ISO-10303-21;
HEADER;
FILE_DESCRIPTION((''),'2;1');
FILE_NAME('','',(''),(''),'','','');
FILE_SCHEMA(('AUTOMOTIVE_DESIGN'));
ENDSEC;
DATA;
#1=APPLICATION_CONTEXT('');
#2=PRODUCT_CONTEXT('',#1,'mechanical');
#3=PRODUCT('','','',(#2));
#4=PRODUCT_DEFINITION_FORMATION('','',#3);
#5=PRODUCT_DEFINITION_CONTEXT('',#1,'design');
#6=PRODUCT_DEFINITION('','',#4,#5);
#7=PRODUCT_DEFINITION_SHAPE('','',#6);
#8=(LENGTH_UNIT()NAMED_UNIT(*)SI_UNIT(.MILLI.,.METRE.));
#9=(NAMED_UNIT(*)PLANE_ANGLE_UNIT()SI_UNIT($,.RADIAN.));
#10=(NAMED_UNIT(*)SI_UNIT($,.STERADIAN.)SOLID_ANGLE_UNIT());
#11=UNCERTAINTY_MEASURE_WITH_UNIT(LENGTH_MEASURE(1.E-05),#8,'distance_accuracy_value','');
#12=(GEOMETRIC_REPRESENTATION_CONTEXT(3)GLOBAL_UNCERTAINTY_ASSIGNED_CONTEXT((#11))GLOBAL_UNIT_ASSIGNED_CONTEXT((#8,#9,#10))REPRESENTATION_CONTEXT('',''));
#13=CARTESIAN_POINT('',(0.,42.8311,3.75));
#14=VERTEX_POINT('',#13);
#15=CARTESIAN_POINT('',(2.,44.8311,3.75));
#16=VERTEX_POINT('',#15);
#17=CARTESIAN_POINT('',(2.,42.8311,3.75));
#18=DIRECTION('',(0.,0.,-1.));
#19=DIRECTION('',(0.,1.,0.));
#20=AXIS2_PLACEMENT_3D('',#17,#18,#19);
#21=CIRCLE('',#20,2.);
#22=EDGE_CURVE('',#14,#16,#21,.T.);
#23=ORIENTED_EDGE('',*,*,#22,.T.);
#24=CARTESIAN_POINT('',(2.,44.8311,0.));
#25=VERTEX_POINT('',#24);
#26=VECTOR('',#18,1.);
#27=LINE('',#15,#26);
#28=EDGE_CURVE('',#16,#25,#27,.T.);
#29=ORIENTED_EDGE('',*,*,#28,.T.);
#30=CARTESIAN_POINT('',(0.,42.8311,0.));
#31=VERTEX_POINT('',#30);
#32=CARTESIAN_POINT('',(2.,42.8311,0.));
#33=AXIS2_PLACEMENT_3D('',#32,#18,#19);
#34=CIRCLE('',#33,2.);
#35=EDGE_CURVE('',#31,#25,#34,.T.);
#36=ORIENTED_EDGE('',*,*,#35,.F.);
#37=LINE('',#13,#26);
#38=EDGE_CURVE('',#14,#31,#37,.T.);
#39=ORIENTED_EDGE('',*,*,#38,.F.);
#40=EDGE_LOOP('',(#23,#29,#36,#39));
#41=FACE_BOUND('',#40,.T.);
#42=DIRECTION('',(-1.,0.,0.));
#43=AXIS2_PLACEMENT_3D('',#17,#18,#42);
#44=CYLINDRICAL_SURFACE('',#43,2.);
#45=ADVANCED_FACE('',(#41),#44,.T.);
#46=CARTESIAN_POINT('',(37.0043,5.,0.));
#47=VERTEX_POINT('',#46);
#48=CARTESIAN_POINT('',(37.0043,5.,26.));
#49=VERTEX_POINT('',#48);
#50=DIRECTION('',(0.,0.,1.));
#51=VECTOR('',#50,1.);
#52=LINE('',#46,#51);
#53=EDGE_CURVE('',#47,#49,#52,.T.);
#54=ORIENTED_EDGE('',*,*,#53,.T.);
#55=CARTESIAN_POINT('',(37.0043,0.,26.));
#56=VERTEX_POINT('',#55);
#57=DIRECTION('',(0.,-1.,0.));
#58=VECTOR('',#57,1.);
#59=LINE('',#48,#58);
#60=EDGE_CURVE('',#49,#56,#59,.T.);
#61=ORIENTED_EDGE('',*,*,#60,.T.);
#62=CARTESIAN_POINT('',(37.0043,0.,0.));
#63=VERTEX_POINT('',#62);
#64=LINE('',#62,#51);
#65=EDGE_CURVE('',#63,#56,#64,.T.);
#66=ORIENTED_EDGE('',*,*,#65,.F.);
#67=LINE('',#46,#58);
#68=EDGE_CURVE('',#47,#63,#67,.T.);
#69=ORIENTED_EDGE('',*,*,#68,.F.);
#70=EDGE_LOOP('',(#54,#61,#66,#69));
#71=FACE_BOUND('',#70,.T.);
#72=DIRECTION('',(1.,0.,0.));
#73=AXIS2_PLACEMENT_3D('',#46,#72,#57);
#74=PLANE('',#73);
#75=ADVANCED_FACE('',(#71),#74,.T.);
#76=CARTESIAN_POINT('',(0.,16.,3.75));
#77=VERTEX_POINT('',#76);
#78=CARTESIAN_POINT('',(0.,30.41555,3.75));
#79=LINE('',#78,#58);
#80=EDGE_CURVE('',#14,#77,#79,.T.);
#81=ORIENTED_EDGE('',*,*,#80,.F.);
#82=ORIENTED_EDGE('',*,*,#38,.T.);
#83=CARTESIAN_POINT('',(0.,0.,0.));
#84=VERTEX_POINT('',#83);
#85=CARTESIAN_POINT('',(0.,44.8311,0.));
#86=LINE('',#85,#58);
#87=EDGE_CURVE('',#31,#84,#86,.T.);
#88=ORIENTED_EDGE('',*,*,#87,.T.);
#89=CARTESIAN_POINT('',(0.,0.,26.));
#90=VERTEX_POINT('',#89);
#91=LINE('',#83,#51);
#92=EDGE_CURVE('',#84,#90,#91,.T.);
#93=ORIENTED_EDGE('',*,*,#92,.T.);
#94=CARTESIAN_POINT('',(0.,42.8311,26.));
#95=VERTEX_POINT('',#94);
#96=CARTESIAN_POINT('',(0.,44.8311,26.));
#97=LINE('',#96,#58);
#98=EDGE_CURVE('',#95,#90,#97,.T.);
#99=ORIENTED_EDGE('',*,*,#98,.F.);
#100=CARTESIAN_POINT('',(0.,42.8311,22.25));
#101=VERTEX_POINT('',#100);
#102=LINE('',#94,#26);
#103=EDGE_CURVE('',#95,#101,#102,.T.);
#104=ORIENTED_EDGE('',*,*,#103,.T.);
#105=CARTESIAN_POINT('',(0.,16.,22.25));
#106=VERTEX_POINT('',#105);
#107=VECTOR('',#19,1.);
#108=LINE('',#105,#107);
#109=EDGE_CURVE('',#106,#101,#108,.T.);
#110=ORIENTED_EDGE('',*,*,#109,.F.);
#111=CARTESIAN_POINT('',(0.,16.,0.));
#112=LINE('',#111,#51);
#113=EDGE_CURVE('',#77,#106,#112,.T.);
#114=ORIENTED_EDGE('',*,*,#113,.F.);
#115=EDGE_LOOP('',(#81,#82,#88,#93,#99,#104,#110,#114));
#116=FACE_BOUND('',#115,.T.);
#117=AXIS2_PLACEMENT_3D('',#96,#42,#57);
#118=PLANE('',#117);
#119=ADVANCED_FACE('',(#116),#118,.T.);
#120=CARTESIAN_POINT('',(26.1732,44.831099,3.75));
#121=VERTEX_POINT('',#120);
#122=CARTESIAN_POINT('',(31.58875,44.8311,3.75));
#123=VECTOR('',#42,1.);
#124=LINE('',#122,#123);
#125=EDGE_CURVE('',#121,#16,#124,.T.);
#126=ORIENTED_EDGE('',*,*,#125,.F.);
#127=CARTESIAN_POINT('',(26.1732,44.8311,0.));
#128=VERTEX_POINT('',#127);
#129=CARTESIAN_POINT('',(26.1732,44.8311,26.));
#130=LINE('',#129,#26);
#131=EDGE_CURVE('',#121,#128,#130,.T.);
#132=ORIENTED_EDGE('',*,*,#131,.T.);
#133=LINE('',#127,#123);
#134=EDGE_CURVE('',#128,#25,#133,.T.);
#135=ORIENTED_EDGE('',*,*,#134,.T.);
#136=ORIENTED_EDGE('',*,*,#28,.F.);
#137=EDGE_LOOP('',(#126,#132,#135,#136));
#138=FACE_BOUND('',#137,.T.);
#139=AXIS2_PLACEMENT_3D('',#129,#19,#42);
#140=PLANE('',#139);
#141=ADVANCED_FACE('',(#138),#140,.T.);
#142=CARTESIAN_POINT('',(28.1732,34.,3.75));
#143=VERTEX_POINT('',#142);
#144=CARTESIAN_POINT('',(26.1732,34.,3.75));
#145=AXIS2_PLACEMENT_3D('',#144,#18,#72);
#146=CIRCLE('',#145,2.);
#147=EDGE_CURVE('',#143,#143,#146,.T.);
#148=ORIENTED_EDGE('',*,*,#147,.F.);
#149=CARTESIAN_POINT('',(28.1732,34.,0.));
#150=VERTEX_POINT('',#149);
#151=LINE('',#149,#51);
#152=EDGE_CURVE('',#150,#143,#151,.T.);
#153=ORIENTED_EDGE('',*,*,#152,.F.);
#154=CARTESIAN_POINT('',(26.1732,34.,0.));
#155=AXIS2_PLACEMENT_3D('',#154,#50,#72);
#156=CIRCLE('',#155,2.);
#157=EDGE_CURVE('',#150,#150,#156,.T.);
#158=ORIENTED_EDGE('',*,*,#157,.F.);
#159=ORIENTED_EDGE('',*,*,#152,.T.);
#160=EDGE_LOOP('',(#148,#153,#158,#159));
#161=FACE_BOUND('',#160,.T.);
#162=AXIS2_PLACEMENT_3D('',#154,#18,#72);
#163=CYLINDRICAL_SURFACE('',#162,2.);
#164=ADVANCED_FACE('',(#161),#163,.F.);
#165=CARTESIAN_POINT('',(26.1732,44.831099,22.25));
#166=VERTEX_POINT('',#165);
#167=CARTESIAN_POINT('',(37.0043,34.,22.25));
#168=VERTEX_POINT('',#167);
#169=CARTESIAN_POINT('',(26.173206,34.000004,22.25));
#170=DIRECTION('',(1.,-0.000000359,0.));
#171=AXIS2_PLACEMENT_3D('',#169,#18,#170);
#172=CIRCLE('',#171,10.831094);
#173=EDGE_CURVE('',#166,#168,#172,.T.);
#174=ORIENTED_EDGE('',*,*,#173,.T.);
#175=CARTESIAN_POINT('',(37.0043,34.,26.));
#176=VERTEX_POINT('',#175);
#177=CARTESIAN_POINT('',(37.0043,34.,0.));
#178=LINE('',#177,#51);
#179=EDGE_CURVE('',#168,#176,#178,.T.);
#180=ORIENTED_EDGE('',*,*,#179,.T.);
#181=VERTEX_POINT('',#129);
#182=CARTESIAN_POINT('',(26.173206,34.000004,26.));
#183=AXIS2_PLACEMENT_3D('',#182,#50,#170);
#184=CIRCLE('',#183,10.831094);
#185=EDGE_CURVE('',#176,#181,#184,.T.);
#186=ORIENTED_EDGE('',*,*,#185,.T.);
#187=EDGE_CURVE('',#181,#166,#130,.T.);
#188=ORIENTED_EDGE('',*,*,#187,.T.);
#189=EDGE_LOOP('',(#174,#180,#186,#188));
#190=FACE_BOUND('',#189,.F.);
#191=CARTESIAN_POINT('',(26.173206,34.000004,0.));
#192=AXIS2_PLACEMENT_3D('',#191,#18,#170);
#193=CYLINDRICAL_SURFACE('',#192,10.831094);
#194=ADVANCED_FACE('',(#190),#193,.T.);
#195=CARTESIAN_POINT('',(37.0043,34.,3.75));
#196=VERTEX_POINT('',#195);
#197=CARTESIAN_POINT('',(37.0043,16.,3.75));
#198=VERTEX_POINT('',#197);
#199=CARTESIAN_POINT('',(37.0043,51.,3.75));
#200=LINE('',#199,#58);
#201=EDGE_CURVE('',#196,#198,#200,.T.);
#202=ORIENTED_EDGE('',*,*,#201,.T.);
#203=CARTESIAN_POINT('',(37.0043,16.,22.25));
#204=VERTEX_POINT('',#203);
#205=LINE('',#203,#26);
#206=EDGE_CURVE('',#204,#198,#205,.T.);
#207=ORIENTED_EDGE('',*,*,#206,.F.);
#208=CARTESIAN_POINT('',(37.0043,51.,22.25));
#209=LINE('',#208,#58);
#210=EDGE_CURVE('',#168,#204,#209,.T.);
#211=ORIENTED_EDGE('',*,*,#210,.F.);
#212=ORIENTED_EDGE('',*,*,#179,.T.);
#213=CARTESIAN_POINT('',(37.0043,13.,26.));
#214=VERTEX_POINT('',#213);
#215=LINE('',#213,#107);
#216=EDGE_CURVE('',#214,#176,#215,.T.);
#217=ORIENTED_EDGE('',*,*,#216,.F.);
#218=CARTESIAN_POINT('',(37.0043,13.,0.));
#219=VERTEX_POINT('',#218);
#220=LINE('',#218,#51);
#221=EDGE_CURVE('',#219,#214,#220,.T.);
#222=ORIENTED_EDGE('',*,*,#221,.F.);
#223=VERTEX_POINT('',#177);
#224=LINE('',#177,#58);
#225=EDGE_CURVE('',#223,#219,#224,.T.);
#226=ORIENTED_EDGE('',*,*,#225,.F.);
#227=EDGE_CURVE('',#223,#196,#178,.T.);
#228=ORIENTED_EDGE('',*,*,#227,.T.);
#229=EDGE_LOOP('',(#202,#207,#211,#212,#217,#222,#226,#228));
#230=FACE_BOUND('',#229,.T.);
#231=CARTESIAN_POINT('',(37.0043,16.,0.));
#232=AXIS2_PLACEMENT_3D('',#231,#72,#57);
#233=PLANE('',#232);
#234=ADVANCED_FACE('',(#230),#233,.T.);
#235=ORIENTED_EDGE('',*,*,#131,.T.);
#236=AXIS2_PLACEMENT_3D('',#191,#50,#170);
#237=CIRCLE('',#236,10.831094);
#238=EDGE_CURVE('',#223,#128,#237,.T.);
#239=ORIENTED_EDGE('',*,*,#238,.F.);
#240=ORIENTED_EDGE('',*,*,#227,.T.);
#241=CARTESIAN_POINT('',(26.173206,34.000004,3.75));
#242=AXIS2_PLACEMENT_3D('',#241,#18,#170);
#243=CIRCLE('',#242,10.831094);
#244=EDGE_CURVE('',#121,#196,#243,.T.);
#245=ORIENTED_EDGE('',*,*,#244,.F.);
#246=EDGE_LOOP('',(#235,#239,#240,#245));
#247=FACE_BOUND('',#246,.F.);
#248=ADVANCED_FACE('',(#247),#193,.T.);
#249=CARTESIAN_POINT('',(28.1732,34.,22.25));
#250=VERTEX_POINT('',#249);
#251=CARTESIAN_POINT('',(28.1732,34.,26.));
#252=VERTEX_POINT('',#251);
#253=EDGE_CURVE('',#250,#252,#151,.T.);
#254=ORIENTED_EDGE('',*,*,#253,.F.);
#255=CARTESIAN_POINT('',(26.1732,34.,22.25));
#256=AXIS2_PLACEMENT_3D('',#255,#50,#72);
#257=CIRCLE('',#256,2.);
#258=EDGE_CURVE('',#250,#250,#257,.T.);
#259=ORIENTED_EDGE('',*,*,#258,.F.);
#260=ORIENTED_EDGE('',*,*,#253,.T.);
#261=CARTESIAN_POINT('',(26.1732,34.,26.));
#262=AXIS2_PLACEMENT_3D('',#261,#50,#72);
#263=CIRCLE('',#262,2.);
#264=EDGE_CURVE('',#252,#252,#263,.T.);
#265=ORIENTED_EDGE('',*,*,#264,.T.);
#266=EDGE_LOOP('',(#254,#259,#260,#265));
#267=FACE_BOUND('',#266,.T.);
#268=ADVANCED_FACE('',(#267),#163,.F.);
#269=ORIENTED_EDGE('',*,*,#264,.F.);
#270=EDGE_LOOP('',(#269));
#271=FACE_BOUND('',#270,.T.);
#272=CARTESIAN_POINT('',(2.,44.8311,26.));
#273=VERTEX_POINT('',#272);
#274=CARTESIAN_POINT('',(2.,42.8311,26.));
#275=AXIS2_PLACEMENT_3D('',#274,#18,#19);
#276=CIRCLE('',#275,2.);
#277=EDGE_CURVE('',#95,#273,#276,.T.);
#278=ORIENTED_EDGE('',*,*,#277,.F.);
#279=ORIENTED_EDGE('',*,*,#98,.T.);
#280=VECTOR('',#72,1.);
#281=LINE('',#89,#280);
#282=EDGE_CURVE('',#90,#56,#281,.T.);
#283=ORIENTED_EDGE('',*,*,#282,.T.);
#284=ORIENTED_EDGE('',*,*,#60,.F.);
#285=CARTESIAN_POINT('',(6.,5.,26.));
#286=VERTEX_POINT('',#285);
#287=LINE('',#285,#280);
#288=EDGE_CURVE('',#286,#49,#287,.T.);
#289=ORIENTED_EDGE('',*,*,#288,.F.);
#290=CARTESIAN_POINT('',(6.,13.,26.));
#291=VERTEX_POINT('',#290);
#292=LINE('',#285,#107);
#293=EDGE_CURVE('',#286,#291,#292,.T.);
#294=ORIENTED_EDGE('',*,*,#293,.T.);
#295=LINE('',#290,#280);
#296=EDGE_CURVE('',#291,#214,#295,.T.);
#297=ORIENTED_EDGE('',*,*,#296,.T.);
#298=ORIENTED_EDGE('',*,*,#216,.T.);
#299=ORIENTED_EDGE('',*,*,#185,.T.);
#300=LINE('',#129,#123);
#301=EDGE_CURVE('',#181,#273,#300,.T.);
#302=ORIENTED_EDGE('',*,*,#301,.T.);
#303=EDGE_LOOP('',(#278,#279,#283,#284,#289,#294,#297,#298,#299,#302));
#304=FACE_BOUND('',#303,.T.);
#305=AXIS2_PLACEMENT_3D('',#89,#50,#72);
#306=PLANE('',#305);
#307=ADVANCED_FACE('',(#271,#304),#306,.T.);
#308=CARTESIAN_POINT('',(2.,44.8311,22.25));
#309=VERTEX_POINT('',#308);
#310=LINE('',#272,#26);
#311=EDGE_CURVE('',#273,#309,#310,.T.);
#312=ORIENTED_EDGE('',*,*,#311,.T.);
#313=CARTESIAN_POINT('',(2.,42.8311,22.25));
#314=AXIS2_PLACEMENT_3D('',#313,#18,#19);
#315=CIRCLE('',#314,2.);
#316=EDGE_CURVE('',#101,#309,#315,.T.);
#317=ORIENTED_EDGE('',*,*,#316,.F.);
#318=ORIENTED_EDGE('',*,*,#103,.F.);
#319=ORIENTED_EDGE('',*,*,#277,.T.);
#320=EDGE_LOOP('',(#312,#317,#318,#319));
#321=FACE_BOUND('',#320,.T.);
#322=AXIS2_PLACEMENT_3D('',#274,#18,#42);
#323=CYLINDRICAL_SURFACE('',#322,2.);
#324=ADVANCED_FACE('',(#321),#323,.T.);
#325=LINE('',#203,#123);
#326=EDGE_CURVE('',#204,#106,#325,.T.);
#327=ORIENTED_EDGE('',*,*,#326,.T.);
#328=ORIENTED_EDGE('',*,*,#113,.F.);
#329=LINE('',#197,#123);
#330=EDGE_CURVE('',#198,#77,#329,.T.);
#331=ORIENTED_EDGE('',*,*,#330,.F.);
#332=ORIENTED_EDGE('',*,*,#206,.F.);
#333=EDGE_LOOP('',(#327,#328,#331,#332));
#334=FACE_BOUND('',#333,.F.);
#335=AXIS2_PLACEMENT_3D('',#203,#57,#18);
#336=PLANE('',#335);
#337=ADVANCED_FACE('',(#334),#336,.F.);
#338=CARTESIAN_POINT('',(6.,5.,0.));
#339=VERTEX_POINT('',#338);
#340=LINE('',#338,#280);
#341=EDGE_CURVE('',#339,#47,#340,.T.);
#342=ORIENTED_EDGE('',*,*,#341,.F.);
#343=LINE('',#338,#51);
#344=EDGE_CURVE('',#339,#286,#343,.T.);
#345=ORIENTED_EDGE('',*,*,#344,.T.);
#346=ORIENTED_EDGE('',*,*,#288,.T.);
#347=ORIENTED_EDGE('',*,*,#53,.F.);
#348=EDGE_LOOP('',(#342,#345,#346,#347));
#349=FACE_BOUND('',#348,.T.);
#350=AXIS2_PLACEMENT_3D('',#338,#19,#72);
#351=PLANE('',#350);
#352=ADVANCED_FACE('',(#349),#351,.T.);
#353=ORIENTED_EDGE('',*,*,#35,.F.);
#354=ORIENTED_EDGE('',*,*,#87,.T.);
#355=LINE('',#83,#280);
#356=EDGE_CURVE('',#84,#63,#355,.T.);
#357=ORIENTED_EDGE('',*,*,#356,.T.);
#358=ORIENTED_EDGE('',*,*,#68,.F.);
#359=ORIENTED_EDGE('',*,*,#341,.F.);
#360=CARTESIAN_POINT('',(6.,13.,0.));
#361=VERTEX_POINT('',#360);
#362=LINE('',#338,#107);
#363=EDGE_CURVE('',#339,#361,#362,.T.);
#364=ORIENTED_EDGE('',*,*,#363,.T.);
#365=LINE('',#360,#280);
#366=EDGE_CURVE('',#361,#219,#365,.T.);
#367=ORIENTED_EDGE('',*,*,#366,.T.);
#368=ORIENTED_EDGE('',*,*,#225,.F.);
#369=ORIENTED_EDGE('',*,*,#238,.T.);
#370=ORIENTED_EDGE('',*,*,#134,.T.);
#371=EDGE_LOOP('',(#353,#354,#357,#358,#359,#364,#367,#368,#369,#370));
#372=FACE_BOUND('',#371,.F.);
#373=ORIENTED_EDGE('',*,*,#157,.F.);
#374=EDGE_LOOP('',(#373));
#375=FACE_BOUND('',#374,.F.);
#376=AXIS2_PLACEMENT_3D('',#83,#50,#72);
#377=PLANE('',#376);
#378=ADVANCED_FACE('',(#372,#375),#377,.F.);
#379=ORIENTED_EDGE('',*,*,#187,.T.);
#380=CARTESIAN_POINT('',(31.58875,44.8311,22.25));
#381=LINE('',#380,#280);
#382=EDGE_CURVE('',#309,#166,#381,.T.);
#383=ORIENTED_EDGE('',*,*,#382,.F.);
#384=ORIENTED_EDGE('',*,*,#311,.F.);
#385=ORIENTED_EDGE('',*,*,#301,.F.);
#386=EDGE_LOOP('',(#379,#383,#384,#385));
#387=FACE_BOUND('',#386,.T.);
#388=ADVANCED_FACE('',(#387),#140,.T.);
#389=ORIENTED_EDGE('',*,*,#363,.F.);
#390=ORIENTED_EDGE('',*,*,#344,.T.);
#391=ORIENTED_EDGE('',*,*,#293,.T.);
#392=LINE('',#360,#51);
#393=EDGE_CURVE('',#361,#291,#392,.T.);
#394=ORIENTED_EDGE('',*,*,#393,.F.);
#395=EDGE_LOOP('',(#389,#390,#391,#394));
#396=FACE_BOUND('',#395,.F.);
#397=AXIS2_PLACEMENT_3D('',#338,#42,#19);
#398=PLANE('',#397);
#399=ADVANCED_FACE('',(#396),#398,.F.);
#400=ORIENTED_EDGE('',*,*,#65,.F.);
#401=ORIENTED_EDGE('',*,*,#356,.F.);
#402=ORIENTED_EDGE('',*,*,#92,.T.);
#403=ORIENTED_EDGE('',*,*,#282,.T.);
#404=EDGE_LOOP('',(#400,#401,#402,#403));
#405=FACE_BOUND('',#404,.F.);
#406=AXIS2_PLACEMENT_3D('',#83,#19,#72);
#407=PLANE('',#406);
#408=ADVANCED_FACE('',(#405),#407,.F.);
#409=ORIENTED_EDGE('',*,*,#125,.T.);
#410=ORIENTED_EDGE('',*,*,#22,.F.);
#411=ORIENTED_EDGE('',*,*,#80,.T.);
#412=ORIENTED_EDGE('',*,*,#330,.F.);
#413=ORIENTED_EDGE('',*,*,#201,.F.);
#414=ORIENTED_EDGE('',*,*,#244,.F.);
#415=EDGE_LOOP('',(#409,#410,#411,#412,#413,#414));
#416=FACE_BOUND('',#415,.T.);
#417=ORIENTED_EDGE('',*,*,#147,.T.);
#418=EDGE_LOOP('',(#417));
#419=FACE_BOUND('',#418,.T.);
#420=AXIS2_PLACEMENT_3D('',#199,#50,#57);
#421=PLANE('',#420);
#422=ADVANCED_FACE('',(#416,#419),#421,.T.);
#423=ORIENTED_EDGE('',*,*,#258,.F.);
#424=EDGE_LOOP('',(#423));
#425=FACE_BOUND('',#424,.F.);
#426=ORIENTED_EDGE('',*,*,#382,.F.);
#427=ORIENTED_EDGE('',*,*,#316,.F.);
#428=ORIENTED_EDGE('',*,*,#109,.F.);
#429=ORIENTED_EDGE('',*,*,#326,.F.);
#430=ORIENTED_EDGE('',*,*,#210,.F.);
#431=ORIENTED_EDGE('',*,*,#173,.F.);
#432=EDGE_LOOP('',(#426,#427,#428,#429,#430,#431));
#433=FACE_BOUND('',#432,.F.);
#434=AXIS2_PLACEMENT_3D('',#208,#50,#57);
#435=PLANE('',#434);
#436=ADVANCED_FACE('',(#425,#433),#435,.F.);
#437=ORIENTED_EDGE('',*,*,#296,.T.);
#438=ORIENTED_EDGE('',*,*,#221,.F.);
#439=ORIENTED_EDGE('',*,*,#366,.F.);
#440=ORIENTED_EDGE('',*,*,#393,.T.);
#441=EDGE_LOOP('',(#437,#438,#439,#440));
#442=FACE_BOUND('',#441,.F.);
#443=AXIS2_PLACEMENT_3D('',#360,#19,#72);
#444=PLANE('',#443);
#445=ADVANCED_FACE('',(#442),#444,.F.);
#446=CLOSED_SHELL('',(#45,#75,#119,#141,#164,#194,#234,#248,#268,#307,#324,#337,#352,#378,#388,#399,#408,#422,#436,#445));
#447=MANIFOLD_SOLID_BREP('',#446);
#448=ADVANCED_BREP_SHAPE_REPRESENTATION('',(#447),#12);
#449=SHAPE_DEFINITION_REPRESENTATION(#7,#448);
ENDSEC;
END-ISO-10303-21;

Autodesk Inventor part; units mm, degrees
ref_plane "YZ Plane" through (0, 0, 0) normal (1, 0, 0) x (0, 1, 0)
ref_plane "XZ Plane" through (0, 0, 0) normal (0, 1, 0) x (-1, 0, 0)
ref_plane "XY Plane" through (0, 0, 0) normal (0, 0, 1) x (1, 0, 0)
sketch "Sketch1" plane through (0, 0, 0) normal (0, 0, 1) x (1, 0, 0)
  line L0 (6, 5) -> (6, 13)
  line L1 (0, 16) -> (0, 0)
  arc A0 (37.0043, 34) -> (18.539, 41.6832) centre (26.1732, 34) ccw
  line L2 (18.539, 41.6832) -> (0, 16)
  circle A1 centre (26.1732, 34) radius 2
  line L3 (37.0043, 5) -> (37.0043, 0)
  line L4 (6, 5) -> (37.0043, 5)
  line L5 (0, 0) -> (37.0043, 0)
  line L6 (6, 13) -> (37.0043, 13)
  line L7 (0, 16) -> (37.0043, 16)
  line L8 (37.0043, 34) -> (37.0043, 13)
  dimension "d3" = 8
  dimension "d6" = 18
  dimension "d7" = 20
  dimension "d8" = 4
  dimension "d9" = 3
  dimension "d10" = 5
  dimension "d11" = 16
  dimension "d12" = 37.0043
  dimension "d13" = 31.0043
extrude "Extrusion1" add sketch "Sketch1" along normal blind 26
sketch "Sketch2" plane through (0, 0, 26) normal (0, 0, 1) x (1, 0, 0)
  point P0 (0, 0)
sketch "Sketch3" plane through (37.0043, 13, 0) normal (1, 0, 0) x (0, 0, -1)
  line L0 (0, 0) -> (-26, 0) projected
  line L1 (-13, 38) -> (-3.75, 38)
  line L2 (-3.75, 38) -> (-3.75, 3)
  line L3 (-13, 38) -> (-22.25, 38)
  line L4 (-22.25, 38) -> (-22.25, 3)
  line L5 (-22.25, 3) -> (-3.75, 3)
  line L6 (0, 0) -> (-26, 0) projected
  point P0 (0, -13)
  point P1 (-26, 3)
  dimension "d19" = 9.25
  dimension "d20" = 9.25
extrude "Extrusion2" cut sketch "Sketch3" against normal through all
sketch "Sketch4" plane through (0, 0, 26) normal (0, 0, 1) x (1, 0, 0)
  arc A0 (37.0043, 34) -> (18.539, 41.6832) centre (26.1732, 34) ccw projected
  line L0 (26.1732, 44.8311) -> (0, 44.8311)
  line L1 (18.539, 41.6832) -> (0, 16) projected
  line L2 (0, 44.8311) -> (0, 16)
  point P0 (0, 0)
extrude "Extrusion3" add sketch "Sketch4" against normal blind 26
sketch "Sketch5" plane through (37.0043, 13, 0) normal (1, 0, 0) x (0, 0, -1)
  line L0 (-22.25, 3) -> (-22.25, 21) projected
  line L1 (-22.25, 3) -> (-3.75, 3)
  line L2 (-3.75, 3) -> (-3.75, 33)
  line L3 (-3.75, 33) -> (-22.25, 33)
  line L4 (-22.25, 33) -> (-22.25, 3)
  point P0 (0, -13)
extrude "Extrusion4" cut sketch "Sketch5" against normal through all
fillet "Fillet1" radius 2 1 edges at (0, 44.8311, 1.875)
fillet "Fillet2" radius 2 1 edges at (0, 44.8311, 24.125)
properties part number "Maintients poullies V3 Beta"
